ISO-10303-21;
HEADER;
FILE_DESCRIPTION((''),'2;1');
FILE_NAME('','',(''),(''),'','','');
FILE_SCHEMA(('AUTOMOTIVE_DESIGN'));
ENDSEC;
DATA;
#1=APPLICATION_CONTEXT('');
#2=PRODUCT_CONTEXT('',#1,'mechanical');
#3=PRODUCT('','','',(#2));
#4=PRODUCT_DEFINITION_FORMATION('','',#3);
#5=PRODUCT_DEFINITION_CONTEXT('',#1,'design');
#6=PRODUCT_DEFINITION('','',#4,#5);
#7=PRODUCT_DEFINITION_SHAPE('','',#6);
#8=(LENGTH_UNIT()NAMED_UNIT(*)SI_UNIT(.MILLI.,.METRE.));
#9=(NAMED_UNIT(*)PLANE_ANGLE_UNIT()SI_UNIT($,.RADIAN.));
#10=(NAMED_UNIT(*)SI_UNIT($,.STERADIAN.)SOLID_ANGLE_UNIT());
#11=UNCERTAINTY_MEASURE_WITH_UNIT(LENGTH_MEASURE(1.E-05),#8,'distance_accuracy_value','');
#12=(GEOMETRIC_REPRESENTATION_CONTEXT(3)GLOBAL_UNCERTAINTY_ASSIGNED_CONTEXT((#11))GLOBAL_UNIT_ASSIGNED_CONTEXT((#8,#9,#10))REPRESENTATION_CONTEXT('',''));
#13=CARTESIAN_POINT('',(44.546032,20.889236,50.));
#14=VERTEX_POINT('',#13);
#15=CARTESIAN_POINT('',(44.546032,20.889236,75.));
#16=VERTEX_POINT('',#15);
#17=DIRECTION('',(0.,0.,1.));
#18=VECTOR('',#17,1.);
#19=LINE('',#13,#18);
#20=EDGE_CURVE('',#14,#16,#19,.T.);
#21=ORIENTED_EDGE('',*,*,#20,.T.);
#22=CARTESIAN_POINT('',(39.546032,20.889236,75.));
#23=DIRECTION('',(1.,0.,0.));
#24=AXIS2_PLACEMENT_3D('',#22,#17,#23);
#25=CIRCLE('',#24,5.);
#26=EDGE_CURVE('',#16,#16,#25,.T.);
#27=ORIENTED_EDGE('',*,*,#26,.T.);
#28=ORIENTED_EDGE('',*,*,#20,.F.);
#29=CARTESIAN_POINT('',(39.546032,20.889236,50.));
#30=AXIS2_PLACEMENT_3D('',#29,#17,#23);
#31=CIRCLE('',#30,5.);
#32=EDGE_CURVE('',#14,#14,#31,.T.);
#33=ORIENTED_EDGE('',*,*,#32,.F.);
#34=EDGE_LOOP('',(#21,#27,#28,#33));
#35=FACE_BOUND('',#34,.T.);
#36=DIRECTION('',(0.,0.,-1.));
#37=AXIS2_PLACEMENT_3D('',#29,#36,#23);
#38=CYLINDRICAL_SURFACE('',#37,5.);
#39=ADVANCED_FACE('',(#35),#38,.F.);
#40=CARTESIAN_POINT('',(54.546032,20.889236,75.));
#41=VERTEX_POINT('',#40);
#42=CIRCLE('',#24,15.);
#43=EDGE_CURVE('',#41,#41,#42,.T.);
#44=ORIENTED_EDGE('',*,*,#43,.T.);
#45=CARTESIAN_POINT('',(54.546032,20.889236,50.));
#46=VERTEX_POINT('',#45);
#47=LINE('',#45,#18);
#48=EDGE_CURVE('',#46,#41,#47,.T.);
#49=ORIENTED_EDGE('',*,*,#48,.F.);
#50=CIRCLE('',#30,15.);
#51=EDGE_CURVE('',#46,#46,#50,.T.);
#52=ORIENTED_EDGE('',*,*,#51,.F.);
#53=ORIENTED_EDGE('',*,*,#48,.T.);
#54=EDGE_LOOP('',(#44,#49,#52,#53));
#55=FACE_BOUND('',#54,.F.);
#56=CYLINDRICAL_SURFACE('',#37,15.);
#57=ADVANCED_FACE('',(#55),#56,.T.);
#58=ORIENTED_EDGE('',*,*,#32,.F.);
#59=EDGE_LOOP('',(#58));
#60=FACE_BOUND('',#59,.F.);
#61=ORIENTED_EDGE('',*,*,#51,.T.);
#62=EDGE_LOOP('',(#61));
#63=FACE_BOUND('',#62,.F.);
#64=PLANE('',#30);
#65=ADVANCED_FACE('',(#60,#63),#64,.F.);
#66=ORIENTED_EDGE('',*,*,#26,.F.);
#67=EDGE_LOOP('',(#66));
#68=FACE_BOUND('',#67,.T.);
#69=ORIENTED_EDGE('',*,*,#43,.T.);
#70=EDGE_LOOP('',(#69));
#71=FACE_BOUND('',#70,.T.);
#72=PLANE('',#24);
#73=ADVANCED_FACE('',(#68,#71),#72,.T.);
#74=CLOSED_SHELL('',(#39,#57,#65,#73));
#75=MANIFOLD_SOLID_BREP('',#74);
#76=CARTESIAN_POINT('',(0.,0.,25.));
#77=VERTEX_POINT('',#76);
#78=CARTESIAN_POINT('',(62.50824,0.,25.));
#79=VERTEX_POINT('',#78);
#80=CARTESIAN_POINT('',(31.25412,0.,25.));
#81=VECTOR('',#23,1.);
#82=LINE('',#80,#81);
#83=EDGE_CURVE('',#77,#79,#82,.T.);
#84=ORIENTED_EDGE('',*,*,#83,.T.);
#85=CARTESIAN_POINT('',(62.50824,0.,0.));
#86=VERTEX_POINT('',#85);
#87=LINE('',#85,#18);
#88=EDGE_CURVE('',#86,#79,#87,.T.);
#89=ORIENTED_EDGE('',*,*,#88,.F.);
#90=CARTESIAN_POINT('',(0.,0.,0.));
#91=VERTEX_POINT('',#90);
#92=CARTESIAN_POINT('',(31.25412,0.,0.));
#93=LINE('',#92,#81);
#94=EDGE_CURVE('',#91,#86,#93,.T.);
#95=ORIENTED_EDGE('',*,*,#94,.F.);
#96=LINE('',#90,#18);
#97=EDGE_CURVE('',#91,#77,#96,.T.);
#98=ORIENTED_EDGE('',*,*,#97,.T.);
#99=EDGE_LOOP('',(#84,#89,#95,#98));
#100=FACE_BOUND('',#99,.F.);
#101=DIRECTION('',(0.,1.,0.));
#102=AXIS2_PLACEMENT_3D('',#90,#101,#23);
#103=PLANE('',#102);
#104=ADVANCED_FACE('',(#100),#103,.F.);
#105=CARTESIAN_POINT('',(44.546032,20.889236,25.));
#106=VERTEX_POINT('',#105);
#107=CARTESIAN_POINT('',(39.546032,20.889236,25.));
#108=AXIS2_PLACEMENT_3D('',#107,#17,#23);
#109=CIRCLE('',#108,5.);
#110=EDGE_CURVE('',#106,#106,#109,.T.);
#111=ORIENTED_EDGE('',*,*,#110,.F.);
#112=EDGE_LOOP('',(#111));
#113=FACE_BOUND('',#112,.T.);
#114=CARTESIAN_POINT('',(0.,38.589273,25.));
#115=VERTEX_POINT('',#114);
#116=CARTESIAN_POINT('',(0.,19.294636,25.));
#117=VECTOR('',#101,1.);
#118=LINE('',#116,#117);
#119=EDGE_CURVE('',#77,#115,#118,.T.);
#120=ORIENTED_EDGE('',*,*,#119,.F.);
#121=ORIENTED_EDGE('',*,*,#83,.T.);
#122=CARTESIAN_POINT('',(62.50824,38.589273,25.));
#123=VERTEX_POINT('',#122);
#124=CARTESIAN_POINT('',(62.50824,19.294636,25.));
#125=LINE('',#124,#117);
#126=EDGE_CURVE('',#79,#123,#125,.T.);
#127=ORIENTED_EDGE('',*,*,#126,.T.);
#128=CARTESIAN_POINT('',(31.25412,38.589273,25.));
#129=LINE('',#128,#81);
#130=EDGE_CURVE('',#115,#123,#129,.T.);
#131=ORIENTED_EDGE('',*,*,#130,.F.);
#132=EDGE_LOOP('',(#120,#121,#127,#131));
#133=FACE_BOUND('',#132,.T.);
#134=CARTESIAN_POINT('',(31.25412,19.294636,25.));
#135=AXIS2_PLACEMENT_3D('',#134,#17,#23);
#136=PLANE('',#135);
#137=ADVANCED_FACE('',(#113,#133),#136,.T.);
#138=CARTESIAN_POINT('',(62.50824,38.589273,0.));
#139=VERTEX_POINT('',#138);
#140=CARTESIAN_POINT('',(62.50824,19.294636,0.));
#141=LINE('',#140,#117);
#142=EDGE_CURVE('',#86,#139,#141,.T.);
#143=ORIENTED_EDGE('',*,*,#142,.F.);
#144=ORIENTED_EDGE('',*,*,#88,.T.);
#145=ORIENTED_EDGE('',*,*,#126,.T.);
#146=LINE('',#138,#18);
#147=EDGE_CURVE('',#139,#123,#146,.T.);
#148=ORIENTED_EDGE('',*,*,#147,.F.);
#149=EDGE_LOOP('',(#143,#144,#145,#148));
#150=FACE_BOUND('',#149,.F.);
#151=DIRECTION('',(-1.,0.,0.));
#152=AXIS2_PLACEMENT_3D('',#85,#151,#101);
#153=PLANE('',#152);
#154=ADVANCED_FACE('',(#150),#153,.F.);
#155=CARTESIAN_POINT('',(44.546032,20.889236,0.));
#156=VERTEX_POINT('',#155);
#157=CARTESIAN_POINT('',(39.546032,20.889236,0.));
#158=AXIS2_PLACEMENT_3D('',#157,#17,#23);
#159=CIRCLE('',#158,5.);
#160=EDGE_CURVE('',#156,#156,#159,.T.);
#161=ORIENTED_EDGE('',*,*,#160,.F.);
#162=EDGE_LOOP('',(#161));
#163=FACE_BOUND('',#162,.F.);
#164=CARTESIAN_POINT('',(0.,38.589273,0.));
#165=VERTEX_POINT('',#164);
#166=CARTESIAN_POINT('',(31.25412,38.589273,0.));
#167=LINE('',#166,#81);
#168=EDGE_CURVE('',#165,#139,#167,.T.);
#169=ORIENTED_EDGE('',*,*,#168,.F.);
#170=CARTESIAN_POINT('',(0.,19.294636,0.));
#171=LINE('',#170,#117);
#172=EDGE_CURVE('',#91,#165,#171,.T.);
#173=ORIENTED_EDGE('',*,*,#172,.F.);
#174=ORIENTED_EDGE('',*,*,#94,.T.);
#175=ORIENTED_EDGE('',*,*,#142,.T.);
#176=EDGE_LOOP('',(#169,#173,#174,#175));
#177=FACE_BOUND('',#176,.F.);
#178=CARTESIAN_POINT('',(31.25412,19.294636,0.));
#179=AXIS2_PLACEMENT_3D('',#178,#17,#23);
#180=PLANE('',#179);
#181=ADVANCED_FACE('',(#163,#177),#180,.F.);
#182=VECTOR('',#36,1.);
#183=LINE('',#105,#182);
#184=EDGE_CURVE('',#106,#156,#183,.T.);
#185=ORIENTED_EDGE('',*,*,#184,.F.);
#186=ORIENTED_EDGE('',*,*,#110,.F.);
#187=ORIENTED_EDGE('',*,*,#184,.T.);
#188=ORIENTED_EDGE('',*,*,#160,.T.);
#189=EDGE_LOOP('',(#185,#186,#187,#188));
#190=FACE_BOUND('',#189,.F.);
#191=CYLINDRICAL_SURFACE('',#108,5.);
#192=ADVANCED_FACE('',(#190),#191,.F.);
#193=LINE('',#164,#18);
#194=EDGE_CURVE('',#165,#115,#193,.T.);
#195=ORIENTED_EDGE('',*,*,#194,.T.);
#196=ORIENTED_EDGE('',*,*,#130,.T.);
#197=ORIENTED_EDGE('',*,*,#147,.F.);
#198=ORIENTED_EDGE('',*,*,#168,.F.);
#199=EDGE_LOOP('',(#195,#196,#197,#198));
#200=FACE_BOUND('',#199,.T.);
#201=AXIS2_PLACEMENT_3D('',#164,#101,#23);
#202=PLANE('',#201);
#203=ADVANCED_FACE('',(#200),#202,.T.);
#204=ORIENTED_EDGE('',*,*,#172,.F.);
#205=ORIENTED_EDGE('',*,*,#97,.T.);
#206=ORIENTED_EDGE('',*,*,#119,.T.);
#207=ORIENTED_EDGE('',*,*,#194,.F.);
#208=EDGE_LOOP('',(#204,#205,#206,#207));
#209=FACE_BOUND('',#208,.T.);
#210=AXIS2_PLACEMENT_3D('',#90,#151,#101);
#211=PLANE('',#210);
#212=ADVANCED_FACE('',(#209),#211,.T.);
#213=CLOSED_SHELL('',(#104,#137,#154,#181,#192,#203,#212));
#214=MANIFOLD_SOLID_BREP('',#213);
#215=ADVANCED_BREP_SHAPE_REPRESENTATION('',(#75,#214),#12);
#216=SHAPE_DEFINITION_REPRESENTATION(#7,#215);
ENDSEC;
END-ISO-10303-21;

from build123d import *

# Parameters (mm, degrees)
F0_W     = 62.5082403421
F0_H     = 38.5892726481
F1_DEPTH = 25
F2_R     = 5
F3_DEPTH = 25
F5_R     = 15
F5_R_2   = 5
F6_DEPTH = 25


with BuildPart() as f1:
    # F0 (on Top) → F1 (new body)
    with BuildSketch(Plane.XY):
        with Locations((31.2541201711, 19.294636324)):
            Rectangle(F0_W, F0_H)
    extrude(amount=F1_DEPTH)

    # F2 (on face) → F3 (cut)
    with BuildSketch(Plane.XY.offset(25)):
        with Locations((39.5460315049, 20.8892356604)):
            Circle(F2_R)
    extrude(amount=-F3_DEPTH, mode=Mode.SUBTRACT)


with BuildPart() as f6:
    # F5 (on offset) → F6 (new body)
    with BuildSketch(Plane.XY.offset(50)):
        with Locations((39.5460315049, 20.8892356604)):
            Circle(F5_R)
        with Locations((39.5460315049, 20.8892356604)):
            Circle(F5_R_2, mode=Mode.SUBTRACT)
    extrude(amount=F6_DEPTH)


solid = Compound([f1.part, f6.part])
